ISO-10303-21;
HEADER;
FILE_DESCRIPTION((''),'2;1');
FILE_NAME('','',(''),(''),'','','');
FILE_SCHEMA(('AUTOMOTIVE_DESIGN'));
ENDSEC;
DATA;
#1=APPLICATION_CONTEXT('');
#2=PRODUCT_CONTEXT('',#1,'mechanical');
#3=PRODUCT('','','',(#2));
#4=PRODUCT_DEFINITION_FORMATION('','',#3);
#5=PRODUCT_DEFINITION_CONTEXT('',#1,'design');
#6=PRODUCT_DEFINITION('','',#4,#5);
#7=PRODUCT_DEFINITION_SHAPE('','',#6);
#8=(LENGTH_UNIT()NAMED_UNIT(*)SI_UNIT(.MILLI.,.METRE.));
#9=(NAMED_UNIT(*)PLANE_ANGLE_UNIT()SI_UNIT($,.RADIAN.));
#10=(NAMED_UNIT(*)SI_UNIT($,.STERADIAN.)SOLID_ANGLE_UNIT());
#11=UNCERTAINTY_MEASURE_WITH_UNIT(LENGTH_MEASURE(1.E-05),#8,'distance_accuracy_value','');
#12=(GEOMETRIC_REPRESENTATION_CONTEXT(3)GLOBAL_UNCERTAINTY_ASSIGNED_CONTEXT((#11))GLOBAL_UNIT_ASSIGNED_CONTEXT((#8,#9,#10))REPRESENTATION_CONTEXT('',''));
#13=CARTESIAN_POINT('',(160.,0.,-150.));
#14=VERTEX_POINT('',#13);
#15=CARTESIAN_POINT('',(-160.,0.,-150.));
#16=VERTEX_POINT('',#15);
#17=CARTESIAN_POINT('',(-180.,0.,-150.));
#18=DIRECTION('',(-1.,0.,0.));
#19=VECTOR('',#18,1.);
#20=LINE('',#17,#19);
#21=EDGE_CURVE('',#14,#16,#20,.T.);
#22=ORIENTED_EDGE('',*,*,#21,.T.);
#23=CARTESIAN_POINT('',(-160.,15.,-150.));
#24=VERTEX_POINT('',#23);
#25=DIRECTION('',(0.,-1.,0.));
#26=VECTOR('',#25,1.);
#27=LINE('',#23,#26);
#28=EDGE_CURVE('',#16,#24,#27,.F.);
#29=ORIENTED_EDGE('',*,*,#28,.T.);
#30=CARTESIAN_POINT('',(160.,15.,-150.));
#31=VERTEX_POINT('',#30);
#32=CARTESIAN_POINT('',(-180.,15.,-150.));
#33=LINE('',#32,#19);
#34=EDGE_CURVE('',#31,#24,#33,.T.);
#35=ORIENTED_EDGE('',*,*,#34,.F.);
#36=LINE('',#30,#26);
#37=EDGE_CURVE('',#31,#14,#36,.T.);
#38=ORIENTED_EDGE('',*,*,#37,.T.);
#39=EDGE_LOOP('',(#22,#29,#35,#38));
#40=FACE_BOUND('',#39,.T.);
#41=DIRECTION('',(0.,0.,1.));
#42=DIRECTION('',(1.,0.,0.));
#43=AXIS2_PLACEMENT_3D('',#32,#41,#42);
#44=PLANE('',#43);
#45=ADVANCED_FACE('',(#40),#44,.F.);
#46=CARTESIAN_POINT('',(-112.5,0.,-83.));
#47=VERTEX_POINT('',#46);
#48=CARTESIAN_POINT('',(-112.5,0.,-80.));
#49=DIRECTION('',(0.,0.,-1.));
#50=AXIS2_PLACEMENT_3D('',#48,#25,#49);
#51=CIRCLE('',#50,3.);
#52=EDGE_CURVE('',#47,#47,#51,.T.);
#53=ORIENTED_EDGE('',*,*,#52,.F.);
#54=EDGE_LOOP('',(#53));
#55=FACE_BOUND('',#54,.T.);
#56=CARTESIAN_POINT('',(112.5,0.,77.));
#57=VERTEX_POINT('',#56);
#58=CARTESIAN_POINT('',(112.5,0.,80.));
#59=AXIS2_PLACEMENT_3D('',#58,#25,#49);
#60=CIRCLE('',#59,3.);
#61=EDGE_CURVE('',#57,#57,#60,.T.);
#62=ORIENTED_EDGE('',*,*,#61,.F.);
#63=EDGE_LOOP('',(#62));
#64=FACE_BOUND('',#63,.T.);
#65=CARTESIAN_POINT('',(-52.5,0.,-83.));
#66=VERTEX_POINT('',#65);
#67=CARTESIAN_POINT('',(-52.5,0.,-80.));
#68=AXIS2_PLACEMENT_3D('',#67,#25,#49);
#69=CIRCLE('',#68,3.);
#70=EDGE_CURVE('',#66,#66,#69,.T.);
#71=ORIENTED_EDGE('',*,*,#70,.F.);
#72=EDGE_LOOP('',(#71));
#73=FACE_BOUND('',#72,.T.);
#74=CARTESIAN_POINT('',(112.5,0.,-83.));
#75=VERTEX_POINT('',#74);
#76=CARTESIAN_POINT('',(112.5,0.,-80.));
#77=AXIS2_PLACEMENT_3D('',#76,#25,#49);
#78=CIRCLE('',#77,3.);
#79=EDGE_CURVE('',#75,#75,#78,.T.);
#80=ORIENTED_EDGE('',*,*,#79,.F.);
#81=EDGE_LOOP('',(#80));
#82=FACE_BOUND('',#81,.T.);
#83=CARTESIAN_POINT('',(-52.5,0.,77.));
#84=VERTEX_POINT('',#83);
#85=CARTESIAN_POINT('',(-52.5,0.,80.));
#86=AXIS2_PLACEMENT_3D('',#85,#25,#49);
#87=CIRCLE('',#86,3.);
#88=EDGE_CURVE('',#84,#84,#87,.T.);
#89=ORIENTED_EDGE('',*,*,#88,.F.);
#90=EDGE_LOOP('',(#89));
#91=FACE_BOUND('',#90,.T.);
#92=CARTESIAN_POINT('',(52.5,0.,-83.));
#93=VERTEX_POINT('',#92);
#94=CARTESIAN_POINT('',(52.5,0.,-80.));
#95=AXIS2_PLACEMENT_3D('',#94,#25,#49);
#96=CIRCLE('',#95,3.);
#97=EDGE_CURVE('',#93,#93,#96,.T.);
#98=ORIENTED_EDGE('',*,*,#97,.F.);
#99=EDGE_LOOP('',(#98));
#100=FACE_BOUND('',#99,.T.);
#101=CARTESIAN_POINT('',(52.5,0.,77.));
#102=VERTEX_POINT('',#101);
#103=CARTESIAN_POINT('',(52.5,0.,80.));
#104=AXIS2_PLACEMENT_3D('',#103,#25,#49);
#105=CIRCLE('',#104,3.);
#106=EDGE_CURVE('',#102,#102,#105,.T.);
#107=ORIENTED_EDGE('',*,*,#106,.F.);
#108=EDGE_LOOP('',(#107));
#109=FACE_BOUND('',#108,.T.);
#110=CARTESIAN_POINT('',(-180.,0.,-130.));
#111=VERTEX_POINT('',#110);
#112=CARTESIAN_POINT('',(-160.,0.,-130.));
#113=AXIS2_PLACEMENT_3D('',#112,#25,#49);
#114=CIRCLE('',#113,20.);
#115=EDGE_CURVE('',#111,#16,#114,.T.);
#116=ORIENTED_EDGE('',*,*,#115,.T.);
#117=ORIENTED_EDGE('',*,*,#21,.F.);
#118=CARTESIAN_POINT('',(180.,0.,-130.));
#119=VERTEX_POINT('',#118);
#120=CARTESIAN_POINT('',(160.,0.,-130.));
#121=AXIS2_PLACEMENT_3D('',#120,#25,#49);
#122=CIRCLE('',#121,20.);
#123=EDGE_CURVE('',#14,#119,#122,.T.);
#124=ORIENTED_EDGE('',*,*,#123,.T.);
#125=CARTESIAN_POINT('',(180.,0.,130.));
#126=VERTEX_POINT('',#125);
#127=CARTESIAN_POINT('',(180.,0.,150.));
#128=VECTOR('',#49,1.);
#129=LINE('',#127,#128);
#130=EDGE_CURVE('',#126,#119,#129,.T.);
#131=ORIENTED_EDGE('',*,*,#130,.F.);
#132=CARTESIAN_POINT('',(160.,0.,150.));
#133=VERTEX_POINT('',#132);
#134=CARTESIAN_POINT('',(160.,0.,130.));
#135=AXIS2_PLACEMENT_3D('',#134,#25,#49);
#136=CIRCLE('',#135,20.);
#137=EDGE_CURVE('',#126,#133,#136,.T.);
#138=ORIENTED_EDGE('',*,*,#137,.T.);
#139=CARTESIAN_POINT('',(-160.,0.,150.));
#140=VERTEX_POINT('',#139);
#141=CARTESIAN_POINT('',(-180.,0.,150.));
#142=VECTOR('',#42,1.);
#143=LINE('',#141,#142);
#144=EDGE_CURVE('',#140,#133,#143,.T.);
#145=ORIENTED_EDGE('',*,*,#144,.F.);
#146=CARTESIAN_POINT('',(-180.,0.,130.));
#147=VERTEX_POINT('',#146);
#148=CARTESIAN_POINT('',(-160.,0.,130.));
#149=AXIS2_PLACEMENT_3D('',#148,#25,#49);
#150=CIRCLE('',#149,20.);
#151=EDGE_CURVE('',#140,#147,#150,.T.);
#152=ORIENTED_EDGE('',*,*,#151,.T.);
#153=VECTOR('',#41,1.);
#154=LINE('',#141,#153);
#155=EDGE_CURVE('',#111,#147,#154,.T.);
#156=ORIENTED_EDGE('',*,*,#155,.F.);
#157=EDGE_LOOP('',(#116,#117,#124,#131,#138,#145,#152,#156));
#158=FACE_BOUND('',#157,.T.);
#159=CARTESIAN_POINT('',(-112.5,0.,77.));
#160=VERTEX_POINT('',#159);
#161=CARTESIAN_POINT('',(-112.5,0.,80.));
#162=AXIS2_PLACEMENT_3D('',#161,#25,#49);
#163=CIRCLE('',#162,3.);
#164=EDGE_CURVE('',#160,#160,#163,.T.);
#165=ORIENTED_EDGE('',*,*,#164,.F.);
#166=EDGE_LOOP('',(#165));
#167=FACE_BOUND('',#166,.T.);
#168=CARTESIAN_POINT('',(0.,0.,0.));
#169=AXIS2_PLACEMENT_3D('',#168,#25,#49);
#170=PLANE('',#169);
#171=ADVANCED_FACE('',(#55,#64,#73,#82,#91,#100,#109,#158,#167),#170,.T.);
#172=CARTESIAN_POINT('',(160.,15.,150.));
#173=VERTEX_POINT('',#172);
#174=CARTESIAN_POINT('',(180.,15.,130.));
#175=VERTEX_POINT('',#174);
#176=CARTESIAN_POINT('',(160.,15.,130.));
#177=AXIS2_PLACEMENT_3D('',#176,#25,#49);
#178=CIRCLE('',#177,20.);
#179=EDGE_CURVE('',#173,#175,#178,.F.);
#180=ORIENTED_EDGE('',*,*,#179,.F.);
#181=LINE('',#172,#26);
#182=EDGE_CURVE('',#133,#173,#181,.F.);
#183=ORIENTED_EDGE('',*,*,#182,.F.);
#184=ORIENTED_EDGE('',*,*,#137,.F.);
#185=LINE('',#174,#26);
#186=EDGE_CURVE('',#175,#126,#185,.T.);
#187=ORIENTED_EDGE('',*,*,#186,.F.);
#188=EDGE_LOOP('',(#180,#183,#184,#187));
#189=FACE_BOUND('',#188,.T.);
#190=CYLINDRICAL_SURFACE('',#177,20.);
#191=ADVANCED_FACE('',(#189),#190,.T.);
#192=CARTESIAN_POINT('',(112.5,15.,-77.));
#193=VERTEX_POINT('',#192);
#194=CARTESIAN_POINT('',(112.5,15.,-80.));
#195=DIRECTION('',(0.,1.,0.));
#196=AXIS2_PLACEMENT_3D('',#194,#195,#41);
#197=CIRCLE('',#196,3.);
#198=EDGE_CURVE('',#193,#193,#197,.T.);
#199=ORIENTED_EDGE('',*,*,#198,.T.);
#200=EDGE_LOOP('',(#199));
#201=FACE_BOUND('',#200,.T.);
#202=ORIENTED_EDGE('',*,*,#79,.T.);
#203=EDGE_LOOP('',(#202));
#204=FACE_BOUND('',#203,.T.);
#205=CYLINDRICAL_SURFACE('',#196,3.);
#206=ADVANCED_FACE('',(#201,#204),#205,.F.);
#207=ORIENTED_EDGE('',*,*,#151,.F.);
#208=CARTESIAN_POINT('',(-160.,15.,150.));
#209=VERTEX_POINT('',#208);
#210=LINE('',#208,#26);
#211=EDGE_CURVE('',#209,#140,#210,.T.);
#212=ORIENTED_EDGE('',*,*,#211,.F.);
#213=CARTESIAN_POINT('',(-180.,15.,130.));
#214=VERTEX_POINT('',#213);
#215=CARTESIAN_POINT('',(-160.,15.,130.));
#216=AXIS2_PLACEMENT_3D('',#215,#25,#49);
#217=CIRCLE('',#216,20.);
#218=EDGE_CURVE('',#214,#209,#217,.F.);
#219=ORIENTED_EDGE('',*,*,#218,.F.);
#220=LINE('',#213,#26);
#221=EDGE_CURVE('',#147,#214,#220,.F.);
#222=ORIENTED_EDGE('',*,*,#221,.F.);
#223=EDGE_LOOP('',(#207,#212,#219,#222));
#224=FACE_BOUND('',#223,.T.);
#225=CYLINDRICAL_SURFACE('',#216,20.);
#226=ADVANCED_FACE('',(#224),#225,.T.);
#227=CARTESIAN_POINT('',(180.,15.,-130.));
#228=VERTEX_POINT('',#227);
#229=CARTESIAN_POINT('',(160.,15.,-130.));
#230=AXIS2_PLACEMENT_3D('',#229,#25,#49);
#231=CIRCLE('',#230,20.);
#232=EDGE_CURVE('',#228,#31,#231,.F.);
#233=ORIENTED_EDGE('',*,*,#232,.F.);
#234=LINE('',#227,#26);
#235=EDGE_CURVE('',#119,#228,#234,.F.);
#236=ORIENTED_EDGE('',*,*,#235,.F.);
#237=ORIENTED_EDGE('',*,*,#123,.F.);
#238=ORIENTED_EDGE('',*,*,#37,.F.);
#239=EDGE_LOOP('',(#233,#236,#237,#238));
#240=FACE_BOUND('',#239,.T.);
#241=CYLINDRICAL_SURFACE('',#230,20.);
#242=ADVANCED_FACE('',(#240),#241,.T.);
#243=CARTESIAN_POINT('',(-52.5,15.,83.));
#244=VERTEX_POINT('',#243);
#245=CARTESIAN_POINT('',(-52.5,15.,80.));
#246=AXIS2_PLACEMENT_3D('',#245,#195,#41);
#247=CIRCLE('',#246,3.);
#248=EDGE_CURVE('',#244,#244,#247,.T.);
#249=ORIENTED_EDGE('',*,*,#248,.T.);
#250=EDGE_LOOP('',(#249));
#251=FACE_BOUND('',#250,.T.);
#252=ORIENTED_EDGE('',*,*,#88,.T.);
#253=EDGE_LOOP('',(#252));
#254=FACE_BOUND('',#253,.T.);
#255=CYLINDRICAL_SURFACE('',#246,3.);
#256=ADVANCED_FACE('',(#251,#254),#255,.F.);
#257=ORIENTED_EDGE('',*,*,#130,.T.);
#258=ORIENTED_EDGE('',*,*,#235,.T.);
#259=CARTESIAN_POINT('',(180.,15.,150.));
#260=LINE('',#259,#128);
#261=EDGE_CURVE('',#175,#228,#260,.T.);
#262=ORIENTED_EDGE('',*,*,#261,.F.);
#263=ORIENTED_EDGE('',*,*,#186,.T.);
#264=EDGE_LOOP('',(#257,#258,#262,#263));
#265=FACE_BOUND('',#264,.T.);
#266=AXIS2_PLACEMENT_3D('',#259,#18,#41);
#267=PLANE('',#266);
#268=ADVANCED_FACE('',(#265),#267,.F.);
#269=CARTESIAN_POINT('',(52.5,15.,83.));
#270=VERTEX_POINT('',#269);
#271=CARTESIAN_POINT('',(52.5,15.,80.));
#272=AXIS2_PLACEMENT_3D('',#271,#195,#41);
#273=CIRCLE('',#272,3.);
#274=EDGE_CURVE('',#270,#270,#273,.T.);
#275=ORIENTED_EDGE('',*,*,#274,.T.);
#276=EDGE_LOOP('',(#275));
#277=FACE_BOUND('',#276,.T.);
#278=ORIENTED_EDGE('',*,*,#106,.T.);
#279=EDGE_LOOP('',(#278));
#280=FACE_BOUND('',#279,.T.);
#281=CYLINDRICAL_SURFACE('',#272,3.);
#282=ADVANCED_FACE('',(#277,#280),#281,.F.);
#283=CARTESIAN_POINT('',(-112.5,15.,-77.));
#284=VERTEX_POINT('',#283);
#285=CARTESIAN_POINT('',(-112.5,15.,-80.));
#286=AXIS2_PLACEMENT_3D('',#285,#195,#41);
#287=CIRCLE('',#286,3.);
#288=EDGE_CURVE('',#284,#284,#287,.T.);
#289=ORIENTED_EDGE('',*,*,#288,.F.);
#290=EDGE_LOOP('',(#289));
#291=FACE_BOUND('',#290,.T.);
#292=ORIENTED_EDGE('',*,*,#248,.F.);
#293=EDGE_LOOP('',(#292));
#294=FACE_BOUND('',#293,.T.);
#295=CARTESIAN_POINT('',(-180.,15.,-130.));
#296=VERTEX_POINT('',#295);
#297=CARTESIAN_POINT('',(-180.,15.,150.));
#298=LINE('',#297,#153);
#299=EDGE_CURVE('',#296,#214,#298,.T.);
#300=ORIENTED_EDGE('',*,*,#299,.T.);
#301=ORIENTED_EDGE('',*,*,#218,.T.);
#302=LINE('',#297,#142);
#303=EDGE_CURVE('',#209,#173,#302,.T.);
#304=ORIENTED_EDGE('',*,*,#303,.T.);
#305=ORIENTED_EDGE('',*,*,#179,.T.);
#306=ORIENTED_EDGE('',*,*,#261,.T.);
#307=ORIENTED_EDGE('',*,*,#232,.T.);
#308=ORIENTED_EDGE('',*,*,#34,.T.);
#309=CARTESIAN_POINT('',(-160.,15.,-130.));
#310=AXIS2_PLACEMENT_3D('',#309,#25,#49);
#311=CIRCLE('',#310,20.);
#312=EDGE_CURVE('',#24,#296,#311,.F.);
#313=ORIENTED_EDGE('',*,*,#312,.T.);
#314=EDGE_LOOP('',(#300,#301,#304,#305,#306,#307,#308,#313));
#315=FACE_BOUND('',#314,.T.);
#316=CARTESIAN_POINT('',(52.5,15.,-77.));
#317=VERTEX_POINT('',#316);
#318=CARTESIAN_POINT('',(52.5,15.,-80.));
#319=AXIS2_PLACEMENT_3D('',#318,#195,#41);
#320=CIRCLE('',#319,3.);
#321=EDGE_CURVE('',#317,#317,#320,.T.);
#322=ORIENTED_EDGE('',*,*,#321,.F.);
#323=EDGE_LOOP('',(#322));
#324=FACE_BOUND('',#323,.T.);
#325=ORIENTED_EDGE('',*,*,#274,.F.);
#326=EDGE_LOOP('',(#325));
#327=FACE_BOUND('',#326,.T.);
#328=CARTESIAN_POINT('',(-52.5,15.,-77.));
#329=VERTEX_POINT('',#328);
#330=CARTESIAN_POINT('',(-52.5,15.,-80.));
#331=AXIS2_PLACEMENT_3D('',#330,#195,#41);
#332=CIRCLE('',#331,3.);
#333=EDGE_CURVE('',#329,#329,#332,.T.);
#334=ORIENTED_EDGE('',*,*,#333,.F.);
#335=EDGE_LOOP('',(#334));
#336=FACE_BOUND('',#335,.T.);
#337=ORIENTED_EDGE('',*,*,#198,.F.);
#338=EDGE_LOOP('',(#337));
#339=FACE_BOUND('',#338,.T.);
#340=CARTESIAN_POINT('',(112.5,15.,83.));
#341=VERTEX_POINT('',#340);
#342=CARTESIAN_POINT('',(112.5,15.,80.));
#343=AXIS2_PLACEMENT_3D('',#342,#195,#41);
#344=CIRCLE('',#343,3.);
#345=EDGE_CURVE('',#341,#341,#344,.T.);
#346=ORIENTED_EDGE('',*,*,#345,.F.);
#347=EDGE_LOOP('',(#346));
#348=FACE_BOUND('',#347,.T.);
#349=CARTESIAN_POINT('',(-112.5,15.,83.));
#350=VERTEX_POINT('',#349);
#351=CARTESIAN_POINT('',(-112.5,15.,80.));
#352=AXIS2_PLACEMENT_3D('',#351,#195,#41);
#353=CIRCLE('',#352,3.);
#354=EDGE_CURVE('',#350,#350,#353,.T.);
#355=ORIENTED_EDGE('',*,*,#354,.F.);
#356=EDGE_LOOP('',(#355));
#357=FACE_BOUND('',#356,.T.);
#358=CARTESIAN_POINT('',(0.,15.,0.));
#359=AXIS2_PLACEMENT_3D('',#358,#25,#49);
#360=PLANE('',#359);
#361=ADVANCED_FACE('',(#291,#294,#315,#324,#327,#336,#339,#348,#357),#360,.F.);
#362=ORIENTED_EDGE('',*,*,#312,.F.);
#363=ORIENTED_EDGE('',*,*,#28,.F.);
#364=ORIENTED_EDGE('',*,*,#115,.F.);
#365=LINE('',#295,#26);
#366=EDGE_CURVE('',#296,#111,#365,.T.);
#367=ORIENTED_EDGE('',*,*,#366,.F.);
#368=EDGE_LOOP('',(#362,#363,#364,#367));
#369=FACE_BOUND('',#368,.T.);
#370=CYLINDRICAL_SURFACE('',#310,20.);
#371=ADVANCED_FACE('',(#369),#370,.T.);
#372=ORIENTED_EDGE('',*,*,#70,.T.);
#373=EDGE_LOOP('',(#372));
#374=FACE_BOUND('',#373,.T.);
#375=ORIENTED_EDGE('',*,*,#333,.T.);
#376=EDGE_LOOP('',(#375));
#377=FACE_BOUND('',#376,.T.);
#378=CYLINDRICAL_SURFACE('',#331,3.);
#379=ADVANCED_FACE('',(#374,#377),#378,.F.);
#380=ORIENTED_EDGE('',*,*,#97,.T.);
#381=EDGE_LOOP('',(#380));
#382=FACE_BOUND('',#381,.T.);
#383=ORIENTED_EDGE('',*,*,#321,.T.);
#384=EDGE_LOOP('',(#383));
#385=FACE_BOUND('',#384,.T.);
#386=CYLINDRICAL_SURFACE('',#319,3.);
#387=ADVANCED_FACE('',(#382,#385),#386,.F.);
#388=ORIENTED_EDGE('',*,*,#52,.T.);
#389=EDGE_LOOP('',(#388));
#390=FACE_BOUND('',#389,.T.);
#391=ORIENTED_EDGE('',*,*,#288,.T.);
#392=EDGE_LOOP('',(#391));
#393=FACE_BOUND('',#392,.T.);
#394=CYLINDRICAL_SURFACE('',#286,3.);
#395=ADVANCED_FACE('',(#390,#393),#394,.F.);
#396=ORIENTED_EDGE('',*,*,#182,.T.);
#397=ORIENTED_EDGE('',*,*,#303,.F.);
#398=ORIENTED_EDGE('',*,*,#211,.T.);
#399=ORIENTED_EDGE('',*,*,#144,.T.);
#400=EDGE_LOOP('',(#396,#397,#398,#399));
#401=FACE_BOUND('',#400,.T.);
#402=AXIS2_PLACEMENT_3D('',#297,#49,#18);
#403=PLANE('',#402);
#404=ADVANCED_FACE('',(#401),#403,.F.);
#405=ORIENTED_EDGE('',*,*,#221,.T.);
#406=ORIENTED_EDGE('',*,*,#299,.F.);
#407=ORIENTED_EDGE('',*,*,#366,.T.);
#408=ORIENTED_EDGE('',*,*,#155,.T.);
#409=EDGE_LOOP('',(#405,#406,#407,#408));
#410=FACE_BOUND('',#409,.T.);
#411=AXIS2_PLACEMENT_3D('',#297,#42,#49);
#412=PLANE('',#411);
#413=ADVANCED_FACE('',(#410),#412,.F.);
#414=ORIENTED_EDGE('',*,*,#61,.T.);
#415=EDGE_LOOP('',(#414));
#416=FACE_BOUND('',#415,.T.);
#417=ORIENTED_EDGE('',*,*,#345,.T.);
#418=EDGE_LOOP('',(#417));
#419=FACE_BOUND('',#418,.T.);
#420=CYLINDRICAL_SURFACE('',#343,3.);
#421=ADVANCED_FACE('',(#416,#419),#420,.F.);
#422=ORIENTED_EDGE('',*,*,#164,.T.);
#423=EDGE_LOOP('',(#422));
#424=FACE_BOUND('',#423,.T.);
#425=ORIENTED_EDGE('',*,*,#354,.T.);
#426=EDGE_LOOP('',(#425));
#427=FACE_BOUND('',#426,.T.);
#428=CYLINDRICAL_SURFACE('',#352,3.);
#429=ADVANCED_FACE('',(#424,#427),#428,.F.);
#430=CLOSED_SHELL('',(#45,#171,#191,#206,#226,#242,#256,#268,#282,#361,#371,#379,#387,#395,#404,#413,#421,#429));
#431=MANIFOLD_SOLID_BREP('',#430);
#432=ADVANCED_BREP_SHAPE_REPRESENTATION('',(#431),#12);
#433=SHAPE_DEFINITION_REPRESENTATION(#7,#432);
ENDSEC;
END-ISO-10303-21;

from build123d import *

# Parameters (mm, degrees)
SKETCH2_W                 = 360
SKETCH2_H                 = 300
BOSS_EXTRUDE1_DEPTH       = 15
FILLET1_R                 = 20
F_6_0MM_DOWEL_HOLE1_D     = 6
F_6_0MM_DOWEL_HOLE1_DEPTH = 15


with BuildPart() as part:
    # Sketch2 → Boss-Extrude1 (new body)
    with BuildSketch(Plane(origin=(0, 0, 0), x_dir=(1, 0, 0), z_dir=(0, 1, 0))):
        Rectangle(SKETCH2_W, SKETCH2_H)
    extrude(amount=BOSS_EXTRUDE1_DEPTH)

    # Fillet1
    fillet1_edges = [part.edges().sort_by_distance(p)[0] for p in [
        (180, 7.5, 150),
        (-180, 7.5, 150),
        (-180, 7.5, -150),
        (180, 7.5, -150),
    ]]
    fillet(fillet1_edges, radius=FILLET1_R)

    # Ø6.0mm Dowel Hole1
    with Locations(Plane(origin=(-112.5, 15, 80), x_dir=(0, 0, 1), z_dir=(0, 1, 0))):
        with Locations((0, 0), (0, 60), (0, 165), (0, 225), (-160, 225), (-160, 165), (-160, 60), (-160, 0)):
            Hole(F_6_0MM_DOWEL_HOLE1_D / 2, depth=F_6_0MM_DOWEL_HOLE1_DEPTH)


solid = part.part
